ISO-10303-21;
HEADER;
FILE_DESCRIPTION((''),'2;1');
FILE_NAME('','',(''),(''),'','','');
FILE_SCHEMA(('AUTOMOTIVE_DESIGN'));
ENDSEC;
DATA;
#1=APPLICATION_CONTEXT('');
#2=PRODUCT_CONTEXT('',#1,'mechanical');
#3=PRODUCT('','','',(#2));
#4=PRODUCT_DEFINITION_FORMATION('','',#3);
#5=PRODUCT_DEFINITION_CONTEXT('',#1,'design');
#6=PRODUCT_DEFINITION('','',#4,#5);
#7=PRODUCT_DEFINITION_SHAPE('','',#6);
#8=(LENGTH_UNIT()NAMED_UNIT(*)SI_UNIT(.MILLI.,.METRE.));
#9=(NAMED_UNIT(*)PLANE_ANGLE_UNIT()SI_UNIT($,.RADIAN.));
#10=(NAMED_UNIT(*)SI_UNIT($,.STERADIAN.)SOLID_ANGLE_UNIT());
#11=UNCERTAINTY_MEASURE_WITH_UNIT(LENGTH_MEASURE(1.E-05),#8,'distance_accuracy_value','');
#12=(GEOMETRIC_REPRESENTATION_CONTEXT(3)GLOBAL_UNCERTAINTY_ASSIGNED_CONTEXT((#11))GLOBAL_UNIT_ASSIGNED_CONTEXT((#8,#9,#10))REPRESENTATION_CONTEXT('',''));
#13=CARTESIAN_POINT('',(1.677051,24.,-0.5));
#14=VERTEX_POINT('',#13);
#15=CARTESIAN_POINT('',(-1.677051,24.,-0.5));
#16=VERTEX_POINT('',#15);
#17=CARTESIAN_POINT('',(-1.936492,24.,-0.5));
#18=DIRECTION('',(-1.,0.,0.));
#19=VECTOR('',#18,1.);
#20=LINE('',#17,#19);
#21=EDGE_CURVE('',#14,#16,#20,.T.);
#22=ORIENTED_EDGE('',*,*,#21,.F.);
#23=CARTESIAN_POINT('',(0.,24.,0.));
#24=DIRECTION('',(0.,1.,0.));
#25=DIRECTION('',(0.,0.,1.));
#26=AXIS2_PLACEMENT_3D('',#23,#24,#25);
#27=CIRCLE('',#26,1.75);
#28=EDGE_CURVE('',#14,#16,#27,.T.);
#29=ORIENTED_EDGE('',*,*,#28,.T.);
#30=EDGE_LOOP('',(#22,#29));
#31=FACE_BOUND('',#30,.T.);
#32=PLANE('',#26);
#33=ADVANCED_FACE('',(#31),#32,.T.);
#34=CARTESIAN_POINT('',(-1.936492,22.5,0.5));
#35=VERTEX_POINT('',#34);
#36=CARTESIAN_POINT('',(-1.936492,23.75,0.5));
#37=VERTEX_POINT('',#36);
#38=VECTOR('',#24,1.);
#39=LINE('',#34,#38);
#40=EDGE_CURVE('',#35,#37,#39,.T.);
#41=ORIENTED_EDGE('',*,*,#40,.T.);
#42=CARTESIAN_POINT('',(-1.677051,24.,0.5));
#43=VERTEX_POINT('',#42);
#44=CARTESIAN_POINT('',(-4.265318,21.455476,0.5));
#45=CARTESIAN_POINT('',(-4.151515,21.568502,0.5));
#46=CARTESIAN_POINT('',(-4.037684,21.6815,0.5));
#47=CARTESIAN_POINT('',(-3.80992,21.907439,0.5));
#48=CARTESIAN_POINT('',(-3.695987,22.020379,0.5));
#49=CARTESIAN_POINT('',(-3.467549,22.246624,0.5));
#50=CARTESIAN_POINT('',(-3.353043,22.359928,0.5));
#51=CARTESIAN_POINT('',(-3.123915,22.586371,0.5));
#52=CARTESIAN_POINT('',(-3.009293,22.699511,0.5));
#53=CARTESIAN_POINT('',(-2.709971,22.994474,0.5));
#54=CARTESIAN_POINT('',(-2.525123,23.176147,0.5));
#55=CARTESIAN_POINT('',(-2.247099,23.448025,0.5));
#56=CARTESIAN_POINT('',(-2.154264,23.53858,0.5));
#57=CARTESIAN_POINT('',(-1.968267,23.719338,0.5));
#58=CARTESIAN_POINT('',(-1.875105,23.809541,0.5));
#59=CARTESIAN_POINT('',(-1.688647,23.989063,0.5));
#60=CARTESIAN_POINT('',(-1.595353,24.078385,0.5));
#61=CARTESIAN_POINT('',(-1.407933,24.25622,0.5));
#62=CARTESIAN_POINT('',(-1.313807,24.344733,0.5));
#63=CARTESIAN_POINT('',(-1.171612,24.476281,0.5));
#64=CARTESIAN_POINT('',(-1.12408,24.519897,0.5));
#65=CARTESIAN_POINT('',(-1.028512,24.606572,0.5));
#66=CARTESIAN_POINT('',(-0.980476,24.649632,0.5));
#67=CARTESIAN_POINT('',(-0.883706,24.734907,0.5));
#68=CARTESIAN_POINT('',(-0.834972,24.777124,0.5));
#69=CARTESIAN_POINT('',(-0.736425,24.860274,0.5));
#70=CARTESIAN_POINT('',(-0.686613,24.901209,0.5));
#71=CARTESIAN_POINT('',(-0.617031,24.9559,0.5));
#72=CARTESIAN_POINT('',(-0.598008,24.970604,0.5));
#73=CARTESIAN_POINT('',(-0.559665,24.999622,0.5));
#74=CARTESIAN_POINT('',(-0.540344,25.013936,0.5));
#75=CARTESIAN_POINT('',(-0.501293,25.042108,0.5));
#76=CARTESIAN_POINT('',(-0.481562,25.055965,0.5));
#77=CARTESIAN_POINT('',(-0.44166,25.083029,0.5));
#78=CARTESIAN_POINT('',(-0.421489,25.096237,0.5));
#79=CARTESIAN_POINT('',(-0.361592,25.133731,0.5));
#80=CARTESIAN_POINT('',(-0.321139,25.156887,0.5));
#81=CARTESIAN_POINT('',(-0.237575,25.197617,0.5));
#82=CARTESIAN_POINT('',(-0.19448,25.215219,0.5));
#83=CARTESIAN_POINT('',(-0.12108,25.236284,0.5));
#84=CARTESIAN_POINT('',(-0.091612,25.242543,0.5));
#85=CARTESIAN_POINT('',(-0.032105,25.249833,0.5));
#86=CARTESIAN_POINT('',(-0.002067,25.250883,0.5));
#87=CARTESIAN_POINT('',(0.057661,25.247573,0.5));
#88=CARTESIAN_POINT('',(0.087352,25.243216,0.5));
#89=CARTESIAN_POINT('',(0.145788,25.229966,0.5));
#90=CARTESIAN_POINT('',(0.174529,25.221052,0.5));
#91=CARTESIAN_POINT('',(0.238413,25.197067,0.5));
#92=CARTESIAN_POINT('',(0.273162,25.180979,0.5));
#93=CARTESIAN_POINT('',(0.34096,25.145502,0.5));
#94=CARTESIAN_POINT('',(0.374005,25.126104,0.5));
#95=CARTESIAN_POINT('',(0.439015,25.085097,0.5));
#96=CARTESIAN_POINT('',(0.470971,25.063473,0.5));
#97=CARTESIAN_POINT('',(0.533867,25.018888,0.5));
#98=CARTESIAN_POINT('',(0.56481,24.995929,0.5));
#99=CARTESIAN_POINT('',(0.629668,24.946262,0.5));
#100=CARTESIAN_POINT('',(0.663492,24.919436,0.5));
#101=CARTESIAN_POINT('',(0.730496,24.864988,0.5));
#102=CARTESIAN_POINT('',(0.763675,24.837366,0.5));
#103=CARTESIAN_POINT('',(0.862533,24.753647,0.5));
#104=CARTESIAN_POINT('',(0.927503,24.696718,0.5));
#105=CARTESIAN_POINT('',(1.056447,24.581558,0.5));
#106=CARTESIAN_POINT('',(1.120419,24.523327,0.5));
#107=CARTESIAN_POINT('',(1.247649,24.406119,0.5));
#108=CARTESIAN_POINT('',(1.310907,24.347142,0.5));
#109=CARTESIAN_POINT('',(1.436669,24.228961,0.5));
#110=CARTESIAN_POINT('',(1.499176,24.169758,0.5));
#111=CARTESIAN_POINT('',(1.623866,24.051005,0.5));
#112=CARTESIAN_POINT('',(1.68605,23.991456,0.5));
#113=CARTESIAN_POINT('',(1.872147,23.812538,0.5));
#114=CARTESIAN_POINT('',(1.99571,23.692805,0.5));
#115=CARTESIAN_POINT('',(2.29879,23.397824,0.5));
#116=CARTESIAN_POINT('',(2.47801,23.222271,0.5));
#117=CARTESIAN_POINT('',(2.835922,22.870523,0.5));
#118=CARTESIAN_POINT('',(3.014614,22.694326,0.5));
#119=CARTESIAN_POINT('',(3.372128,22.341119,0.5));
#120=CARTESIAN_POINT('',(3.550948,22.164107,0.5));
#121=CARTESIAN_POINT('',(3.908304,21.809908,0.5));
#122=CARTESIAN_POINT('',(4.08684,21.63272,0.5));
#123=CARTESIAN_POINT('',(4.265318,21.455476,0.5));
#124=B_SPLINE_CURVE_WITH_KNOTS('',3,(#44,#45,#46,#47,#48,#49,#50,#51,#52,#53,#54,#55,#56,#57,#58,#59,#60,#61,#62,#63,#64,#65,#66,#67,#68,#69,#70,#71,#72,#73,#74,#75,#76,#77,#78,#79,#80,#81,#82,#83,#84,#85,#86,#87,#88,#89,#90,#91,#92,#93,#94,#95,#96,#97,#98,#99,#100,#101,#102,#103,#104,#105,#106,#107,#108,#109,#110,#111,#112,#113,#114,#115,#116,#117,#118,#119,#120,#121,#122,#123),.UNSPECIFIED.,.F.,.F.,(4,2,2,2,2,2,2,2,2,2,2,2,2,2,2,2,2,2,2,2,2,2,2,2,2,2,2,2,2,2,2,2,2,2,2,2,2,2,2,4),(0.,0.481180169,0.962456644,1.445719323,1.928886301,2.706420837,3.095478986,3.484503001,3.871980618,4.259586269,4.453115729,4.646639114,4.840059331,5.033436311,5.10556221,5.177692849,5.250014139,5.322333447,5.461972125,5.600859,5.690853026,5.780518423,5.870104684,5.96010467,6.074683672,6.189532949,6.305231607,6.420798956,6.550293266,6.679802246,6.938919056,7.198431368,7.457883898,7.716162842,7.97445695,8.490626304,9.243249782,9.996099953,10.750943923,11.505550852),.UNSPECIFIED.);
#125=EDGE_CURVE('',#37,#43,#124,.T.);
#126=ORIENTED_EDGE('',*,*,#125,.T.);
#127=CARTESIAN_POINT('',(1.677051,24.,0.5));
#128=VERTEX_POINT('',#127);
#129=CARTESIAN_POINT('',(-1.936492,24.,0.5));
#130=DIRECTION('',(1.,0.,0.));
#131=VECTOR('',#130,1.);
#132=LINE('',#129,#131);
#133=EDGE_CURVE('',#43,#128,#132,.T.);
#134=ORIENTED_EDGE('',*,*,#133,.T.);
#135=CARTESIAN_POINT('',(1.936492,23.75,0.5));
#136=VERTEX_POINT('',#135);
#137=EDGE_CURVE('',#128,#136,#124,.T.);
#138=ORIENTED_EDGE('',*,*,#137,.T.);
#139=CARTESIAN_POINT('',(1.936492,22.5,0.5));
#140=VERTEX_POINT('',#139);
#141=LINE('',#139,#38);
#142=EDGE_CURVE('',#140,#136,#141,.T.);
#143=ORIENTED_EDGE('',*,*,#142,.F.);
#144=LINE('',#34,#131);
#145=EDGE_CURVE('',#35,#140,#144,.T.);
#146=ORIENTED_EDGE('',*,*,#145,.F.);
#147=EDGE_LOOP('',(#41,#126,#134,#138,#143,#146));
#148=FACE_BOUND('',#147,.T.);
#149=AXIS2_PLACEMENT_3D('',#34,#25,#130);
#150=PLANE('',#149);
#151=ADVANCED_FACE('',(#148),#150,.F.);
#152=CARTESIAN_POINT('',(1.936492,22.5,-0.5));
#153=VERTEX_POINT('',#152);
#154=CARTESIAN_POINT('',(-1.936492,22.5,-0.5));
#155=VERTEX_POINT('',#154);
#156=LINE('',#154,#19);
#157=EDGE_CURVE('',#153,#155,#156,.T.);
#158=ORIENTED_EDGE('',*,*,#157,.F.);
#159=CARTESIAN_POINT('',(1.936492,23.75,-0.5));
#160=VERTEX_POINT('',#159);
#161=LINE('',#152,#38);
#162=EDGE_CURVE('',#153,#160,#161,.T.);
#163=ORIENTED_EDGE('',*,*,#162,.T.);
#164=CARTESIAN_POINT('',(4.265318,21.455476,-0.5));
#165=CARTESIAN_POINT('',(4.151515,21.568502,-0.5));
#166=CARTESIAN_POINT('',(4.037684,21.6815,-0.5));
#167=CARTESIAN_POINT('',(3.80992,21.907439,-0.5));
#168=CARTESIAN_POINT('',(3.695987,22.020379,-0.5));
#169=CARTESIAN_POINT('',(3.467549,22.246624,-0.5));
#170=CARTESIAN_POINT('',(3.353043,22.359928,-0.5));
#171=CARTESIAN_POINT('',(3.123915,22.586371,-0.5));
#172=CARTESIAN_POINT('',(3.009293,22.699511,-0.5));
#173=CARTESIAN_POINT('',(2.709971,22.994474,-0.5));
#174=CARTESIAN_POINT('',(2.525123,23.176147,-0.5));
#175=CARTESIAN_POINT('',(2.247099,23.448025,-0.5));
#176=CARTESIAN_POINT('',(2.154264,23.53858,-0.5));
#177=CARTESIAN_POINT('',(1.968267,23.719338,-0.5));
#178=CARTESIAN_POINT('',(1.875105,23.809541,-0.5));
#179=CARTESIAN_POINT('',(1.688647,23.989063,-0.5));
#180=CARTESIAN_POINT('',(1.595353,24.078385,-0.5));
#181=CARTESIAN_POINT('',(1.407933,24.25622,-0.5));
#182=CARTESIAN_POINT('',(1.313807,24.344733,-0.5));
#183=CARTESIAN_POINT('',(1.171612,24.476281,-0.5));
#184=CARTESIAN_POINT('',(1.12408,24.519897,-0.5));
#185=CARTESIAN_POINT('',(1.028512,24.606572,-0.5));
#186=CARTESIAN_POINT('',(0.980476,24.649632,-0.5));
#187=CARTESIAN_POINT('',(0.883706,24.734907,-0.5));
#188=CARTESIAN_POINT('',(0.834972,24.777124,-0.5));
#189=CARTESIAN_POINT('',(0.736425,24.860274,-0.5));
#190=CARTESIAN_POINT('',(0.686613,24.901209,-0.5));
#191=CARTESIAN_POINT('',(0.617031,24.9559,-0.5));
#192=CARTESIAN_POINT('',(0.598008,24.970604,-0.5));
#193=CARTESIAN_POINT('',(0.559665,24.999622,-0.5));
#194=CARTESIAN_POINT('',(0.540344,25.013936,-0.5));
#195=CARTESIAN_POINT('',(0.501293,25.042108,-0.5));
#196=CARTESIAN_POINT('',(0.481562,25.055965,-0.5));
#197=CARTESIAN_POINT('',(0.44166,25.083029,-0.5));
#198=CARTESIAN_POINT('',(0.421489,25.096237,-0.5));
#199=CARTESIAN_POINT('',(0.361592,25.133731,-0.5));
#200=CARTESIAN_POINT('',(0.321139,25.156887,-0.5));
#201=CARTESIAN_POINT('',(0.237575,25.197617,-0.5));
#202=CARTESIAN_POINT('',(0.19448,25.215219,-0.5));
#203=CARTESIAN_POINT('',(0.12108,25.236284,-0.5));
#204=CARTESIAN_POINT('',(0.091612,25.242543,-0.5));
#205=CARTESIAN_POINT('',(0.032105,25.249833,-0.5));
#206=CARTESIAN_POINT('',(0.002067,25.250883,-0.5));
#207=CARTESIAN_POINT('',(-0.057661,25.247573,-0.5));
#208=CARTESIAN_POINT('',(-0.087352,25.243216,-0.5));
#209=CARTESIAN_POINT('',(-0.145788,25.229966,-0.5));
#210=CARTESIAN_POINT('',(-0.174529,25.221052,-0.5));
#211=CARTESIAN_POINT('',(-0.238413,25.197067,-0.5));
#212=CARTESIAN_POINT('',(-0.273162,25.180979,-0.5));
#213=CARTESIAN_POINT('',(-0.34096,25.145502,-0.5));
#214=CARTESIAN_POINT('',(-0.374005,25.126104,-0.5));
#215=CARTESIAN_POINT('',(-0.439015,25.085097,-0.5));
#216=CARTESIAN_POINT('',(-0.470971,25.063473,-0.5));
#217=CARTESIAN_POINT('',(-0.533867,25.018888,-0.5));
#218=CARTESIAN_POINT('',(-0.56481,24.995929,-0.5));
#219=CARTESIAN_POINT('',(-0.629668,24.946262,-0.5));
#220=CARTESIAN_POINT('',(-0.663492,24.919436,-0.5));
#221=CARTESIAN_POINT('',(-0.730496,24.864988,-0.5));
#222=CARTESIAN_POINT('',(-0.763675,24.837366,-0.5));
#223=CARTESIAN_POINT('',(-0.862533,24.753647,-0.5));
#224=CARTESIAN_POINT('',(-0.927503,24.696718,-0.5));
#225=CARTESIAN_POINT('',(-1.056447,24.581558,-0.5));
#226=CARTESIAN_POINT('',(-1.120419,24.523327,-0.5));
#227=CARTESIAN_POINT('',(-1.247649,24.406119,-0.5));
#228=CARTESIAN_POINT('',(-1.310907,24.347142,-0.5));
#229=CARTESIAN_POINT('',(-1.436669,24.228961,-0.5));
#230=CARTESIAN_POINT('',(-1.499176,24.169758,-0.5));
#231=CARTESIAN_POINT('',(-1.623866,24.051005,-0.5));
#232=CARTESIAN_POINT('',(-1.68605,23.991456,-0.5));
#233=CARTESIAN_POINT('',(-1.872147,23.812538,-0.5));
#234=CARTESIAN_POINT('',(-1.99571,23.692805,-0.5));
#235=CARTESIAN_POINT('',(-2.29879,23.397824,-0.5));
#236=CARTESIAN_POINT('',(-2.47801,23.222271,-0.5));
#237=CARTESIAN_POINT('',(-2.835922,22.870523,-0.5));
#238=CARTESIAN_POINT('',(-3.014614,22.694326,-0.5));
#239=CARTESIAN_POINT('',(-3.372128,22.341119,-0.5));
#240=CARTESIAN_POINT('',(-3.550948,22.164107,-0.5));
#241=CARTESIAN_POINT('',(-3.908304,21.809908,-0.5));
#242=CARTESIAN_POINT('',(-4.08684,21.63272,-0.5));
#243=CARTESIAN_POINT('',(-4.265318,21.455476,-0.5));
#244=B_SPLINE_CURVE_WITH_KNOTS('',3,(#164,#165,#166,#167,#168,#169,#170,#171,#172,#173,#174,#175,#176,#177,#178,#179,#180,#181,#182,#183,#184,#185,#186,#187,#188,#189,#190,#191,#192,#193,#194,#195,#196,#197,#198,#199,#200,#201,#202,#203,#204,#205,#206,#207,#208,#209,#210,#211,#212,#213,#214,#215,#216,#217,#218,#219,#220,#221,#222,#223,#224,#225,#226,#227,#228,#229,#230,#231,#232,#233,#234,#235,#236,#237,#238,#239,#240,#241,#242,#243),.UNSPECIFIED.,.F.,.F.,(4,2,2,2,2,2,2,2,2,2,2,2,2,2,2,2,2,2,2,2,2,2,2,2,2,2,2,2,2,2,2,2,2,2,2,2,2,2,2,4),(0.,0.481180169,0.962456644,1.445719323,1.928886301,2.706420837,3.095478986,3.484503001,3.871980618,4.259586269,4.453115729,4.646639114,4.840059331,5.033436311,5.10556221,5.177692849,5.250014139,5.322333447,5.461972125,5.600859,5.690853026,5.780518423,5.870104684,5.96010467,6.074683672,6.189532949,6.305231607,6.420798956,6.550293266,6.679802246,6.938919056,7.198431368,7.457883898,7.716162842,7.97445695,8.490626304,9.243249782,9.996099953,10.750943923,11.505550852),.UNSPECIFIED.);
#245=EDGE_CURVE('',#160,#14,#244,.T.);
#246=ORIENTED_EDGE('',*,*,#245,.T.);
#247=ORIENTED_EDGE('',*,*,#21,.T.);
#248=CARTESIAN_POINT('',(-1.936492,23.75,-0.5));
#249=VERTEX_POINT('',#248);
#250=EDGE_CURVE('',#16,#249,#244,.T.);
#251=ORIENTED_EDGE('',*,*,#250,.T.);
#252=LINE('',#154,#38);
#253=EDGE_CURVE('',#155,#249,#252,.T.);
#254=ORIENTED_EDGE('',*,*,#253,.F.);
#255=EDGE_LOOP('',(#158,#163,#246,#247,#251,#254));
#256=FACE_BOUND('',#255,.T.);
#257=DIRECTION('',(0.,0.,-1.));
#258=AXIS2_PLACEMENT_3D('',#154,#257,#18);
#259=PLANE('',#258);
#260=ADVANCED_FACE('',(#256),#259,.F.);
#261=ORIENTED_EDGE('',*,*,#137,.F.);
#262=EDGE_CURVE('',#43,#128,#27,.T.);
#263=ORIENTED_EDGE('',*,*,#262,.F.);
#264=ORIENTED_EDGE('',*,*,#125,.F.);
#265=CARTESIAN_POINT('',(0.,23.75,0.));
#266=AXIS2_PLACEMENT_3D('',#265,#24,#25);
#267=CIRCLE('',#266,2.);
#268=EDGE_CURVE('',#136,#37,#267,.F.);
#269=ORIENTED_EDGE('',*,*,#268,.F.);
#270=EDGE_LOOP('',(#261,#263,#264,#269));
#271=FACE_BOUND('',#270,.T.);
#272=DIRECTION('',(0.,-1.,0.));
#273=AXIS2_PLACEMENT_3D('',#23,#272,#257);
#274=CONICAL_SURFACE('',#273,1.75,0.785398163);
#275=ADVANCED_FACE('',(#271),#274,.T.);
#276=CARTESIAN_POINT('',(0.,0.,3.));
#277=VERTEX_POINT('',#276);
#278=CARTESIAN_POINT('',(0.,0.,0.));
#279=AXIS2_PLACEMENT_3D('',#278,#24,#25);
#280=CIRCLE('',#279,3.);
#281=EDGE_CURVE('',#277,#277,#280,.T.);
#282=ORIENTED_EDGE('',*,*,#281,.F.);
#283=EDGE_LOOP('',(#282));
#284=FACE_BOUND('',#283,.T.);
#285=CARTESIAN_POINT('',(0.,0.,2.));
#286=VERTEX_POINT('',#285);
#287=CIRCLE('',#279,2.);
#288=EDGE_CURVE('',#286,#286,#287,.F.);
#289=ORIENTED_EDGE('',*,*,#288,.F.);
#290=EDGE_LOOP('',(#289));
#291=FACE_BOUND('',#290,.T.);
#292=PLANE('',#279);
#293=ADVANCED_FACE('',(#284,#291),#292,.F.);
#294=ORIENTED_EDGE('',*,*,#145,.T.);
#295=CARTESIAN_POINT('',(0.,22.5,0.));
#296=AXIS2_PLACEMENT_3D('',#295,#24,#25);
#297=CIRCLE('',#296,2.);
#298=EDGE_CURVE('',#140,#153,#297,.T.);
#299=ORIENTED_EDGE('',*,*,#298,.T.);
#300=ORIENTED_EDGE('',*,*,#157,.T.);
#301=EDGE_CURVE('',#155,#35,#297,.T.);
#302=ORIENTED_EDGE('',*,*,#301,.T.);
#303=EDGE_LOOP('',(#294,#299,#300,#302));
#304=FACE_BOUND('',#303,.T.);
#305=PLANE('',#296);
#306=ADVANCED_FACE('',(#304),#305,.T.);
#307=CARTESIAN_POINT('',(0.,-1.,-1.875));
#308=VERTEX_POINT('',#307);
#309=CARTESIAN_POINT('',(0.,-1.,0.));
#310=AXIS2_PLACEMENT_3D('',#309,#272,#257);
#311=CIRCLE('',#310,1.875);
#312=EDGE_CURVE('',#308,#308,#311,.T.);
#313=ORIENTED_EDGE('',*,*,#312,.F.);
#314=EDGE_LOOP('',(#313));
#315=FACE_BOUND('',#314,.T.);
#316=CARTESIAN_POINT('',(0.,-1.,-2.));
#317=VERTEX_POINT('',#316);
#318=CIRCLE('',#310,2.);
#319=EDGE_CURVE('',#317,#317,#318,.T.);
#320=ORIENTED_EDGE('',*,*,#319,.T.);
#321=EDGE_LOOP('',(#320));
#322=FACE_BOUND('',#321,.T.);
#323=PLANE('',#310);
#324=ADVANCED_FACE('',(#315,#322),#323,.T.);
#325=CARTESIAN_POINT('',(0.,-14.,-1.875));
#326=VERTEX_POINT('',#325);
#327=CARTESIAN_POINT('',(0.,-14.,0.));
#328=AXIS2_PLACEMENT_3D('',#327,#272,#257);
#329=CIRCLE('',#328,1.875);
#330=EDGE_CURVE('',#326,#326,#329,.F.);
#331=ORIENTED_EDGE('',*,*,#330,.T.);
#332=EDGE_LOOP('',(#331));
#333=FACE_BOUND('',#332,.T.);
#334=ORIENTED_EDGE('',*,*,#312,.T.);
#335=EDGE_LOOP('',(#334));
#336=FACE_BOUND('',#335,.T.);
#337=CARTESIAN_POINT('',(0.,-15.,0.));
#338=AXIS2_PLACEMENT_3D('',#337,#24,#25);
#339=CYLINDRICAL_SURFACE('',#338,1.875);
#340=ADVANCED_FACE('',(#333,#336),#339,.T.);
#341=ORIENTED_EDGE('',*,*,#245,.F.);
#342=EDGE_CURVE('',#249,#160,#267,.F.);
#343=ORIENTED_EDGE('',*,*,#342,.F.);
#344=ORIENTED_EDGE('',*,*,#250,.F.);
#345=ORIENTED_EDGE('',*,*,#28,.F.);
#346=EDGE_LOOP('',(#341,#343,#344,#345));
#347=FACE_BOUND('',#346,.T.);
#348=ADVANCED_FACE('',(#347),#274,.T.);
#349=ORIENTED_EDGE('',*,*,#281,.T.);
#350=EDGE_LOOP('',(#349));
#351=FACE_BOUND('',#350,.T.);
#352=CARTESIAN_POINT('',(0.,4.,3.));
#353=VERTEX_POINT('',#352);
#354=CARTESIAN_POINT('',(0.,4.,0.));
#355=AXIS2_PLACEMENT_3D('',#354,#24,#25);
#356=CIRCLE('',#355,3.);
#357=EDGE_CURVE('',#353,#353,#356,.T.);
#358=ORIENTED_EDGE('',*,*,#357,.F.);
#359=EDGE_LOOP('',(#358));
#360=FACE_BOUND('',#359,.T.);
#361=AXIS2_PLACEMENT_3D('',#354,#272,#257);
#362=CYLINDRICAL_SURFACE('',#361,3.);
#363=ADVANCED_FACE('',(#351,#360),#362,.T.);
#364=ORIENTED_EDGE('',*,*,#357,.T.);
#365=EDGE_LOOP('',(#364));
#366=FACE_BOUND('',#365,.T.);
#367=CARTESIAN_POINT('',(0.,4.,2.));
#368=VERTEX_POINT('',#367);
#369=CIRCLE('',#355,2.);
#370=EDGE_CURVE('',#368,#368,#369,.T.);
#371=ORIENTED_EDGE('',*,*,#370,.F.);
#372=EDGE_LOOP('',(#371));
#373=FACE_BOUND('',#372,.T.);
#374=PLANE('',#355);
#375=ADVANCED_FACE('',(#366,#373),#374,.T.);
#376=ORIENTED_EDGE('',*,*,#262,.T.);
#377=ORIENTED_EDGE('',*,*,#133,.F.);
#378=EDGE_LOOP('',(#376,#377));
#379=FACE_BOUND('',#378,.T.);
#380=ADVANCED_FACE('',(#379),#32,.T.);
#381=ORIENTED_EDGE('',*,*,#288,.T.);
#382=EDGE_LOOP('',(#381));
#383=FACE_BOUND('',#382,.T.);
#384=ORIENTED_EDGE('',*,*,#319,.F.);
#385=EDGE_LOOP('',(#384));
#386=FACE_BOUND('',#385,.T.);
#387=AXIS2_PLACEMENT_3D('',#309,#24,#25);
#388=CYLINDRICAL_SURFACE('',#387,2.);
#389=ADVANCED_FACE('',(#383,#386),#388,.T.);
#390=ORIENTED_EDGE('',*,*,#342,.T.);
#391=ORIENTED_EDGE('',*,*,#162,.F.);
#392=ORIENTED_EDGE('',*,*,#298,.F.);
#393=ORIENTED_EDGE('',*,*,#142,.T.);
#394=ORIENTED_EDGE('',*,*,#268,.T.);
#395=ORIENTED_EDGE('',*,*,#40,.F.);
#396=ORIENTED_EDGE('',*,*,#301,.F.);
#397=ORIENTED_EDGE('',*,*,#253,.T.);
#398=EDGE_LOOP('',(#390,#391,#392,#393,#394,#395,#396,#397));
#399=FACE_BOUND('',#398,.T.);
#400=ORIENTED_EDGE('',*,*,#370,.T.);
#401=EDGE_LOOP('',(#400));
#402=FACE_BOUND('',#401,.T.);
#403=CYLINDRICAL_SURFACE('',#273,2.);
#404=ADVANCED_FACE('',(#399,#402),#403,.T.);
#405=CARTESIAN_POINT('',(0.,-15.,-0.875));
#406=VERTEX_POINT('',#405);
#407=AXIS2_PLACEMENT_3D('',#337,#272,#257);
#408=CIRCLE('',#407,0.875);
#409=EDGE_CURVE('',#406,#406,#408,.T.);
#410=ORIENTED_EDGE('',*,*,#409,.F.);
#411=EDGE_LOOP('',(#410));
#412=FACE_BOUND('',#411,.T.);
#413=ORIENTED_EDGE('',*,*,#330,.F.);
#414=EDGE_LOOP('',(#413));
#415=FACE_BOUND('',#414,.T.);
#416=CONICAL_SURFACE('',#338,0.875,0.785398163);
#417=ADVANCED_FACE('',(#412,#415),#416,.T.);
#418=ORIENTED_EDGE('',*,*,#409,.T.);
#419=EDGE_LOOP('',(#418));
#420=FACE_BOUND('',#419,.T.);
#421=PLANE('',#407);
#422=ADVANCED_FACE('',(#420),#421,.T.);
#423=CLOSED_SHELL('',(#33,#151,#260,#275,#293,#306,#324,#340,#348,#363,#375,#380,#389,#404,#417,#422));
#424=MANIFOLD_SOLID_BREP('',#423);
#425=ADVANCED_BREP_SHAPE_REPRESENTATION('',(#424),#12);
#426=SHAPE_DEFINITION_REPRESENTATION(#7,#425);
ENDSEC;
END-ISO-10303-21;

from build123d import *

# Parameters (mm, degrees)
ESQUISSE1_R             = 3
BOSS_EXTRU_1_DEPTH      = 4
ESQUISSE2_R             = 2
BOSS_EXTRU_2_DEPTH      = 20
CHANFREIN1_SIZE         = 0.25
ENL_V_START             = -1.5
ENL_V_MAT_EXTRU_1_DEPTH = 1.5
BOSS_EXTRU_3_START      = 1
ESQUISSE4_R             = 2
BOSS_EXTRU_3_DEPTH      = 1
ESQUISSE5_R             = 1.875
BOSS_EXTRU_4_DEPTH      = 14
CHANFREIN2_SIZE         = 1


with BuildPart() as part:
    # Esquisse1 → Boss.-Extru.1 (new body)
    with BuildSketch(Plane(origin=(0, 0, 0), x_dir=(1, 0, 0), z_dir=(0, 1, 0))):
        with Locations(Location((0, 0, 0), (0, 0, 270))):
            Circle(ESQUISSE1_R)
    extrude(amount=BOSS_EXTRU_1_DEPTH)

    # Esquisse2 → Boss.-Extru.2 (add)
    with BuildSketch(Plane(origin=(0, 4, 0), x_dir=(1, 0, 0), z_dir=(0, 1, 0))):
        with Locations(Location((0, 0, 0), (0, 0, 270))):
            Circle(ESQUISSE2_R)
    extrude(amount=BOSS_EXTRU_2_DEPTH)

    # Chanfrein1
    chanfrein1_edges = [part.edges().sort_by_distance(p)[0] for p in [
        (0, 24, -2),
    ]]
    chamfer(chanfrein1_edges, length=CHANFREIN1_SIZE)

    # Esquisse3 → Enlèv. mat.-Extru.1 (cut)
    with BuildSketch(Plane(origin=(0, 24, 0), x_dir=(1, 0, 0), z_dir=(0, 1, 0)).offset(ENL_V_START)):
        with BuildLine():
            Line((-1.936491673, -0.5), (1.936491673, -0.5))
            ThreePointArc((1.936491673, -0.5), (2, 0), (1.936491673, 0.5))
            Line((1.936491673, 0.5), (-1.936491673, 0.5))
            ThreePointArc((-1.936491673, 0.5), (-2, 0), (-1.936491673, -0.5))
        make_face()
    extrude(amount=ENL_V_MAT_EXTRU_1_DEPTH, mode=Mode.SUBTRACT)

    # Esquisse4 → Boss.-Extru.3 (add)
    with BuildSketch(Plane.XZ.offset(BOSS_EXTRU_3_START)):
        with Locations(Location((0, 0, 0), (0, 0, 194.477512186))):
            Circle(ESQUISSE4_R)
    extrude(amount=-BOSS_EXTRU_3_DEPTH)

    # Esquisse5 → Boss.-Extru.4 (add)
    with BuildSketch(Plane.XZ.offset(1)):
        with Locations(Location((0, 0, 0), (0, 0, 270))):
            Circle(ESQUISSE5_R)
    extrude(amount=BOSS_EXTRU_4_DEPTH)

    # Chanfrein2
    chanfrein2_edges = [part.edges().sort_by_distance(p)[0] for p in [
        (0, -15, 1.875),
    ]]
    chamfer(chanfrein2_edges, length=CHANFREIN2_SIZE)


solid = part.part
